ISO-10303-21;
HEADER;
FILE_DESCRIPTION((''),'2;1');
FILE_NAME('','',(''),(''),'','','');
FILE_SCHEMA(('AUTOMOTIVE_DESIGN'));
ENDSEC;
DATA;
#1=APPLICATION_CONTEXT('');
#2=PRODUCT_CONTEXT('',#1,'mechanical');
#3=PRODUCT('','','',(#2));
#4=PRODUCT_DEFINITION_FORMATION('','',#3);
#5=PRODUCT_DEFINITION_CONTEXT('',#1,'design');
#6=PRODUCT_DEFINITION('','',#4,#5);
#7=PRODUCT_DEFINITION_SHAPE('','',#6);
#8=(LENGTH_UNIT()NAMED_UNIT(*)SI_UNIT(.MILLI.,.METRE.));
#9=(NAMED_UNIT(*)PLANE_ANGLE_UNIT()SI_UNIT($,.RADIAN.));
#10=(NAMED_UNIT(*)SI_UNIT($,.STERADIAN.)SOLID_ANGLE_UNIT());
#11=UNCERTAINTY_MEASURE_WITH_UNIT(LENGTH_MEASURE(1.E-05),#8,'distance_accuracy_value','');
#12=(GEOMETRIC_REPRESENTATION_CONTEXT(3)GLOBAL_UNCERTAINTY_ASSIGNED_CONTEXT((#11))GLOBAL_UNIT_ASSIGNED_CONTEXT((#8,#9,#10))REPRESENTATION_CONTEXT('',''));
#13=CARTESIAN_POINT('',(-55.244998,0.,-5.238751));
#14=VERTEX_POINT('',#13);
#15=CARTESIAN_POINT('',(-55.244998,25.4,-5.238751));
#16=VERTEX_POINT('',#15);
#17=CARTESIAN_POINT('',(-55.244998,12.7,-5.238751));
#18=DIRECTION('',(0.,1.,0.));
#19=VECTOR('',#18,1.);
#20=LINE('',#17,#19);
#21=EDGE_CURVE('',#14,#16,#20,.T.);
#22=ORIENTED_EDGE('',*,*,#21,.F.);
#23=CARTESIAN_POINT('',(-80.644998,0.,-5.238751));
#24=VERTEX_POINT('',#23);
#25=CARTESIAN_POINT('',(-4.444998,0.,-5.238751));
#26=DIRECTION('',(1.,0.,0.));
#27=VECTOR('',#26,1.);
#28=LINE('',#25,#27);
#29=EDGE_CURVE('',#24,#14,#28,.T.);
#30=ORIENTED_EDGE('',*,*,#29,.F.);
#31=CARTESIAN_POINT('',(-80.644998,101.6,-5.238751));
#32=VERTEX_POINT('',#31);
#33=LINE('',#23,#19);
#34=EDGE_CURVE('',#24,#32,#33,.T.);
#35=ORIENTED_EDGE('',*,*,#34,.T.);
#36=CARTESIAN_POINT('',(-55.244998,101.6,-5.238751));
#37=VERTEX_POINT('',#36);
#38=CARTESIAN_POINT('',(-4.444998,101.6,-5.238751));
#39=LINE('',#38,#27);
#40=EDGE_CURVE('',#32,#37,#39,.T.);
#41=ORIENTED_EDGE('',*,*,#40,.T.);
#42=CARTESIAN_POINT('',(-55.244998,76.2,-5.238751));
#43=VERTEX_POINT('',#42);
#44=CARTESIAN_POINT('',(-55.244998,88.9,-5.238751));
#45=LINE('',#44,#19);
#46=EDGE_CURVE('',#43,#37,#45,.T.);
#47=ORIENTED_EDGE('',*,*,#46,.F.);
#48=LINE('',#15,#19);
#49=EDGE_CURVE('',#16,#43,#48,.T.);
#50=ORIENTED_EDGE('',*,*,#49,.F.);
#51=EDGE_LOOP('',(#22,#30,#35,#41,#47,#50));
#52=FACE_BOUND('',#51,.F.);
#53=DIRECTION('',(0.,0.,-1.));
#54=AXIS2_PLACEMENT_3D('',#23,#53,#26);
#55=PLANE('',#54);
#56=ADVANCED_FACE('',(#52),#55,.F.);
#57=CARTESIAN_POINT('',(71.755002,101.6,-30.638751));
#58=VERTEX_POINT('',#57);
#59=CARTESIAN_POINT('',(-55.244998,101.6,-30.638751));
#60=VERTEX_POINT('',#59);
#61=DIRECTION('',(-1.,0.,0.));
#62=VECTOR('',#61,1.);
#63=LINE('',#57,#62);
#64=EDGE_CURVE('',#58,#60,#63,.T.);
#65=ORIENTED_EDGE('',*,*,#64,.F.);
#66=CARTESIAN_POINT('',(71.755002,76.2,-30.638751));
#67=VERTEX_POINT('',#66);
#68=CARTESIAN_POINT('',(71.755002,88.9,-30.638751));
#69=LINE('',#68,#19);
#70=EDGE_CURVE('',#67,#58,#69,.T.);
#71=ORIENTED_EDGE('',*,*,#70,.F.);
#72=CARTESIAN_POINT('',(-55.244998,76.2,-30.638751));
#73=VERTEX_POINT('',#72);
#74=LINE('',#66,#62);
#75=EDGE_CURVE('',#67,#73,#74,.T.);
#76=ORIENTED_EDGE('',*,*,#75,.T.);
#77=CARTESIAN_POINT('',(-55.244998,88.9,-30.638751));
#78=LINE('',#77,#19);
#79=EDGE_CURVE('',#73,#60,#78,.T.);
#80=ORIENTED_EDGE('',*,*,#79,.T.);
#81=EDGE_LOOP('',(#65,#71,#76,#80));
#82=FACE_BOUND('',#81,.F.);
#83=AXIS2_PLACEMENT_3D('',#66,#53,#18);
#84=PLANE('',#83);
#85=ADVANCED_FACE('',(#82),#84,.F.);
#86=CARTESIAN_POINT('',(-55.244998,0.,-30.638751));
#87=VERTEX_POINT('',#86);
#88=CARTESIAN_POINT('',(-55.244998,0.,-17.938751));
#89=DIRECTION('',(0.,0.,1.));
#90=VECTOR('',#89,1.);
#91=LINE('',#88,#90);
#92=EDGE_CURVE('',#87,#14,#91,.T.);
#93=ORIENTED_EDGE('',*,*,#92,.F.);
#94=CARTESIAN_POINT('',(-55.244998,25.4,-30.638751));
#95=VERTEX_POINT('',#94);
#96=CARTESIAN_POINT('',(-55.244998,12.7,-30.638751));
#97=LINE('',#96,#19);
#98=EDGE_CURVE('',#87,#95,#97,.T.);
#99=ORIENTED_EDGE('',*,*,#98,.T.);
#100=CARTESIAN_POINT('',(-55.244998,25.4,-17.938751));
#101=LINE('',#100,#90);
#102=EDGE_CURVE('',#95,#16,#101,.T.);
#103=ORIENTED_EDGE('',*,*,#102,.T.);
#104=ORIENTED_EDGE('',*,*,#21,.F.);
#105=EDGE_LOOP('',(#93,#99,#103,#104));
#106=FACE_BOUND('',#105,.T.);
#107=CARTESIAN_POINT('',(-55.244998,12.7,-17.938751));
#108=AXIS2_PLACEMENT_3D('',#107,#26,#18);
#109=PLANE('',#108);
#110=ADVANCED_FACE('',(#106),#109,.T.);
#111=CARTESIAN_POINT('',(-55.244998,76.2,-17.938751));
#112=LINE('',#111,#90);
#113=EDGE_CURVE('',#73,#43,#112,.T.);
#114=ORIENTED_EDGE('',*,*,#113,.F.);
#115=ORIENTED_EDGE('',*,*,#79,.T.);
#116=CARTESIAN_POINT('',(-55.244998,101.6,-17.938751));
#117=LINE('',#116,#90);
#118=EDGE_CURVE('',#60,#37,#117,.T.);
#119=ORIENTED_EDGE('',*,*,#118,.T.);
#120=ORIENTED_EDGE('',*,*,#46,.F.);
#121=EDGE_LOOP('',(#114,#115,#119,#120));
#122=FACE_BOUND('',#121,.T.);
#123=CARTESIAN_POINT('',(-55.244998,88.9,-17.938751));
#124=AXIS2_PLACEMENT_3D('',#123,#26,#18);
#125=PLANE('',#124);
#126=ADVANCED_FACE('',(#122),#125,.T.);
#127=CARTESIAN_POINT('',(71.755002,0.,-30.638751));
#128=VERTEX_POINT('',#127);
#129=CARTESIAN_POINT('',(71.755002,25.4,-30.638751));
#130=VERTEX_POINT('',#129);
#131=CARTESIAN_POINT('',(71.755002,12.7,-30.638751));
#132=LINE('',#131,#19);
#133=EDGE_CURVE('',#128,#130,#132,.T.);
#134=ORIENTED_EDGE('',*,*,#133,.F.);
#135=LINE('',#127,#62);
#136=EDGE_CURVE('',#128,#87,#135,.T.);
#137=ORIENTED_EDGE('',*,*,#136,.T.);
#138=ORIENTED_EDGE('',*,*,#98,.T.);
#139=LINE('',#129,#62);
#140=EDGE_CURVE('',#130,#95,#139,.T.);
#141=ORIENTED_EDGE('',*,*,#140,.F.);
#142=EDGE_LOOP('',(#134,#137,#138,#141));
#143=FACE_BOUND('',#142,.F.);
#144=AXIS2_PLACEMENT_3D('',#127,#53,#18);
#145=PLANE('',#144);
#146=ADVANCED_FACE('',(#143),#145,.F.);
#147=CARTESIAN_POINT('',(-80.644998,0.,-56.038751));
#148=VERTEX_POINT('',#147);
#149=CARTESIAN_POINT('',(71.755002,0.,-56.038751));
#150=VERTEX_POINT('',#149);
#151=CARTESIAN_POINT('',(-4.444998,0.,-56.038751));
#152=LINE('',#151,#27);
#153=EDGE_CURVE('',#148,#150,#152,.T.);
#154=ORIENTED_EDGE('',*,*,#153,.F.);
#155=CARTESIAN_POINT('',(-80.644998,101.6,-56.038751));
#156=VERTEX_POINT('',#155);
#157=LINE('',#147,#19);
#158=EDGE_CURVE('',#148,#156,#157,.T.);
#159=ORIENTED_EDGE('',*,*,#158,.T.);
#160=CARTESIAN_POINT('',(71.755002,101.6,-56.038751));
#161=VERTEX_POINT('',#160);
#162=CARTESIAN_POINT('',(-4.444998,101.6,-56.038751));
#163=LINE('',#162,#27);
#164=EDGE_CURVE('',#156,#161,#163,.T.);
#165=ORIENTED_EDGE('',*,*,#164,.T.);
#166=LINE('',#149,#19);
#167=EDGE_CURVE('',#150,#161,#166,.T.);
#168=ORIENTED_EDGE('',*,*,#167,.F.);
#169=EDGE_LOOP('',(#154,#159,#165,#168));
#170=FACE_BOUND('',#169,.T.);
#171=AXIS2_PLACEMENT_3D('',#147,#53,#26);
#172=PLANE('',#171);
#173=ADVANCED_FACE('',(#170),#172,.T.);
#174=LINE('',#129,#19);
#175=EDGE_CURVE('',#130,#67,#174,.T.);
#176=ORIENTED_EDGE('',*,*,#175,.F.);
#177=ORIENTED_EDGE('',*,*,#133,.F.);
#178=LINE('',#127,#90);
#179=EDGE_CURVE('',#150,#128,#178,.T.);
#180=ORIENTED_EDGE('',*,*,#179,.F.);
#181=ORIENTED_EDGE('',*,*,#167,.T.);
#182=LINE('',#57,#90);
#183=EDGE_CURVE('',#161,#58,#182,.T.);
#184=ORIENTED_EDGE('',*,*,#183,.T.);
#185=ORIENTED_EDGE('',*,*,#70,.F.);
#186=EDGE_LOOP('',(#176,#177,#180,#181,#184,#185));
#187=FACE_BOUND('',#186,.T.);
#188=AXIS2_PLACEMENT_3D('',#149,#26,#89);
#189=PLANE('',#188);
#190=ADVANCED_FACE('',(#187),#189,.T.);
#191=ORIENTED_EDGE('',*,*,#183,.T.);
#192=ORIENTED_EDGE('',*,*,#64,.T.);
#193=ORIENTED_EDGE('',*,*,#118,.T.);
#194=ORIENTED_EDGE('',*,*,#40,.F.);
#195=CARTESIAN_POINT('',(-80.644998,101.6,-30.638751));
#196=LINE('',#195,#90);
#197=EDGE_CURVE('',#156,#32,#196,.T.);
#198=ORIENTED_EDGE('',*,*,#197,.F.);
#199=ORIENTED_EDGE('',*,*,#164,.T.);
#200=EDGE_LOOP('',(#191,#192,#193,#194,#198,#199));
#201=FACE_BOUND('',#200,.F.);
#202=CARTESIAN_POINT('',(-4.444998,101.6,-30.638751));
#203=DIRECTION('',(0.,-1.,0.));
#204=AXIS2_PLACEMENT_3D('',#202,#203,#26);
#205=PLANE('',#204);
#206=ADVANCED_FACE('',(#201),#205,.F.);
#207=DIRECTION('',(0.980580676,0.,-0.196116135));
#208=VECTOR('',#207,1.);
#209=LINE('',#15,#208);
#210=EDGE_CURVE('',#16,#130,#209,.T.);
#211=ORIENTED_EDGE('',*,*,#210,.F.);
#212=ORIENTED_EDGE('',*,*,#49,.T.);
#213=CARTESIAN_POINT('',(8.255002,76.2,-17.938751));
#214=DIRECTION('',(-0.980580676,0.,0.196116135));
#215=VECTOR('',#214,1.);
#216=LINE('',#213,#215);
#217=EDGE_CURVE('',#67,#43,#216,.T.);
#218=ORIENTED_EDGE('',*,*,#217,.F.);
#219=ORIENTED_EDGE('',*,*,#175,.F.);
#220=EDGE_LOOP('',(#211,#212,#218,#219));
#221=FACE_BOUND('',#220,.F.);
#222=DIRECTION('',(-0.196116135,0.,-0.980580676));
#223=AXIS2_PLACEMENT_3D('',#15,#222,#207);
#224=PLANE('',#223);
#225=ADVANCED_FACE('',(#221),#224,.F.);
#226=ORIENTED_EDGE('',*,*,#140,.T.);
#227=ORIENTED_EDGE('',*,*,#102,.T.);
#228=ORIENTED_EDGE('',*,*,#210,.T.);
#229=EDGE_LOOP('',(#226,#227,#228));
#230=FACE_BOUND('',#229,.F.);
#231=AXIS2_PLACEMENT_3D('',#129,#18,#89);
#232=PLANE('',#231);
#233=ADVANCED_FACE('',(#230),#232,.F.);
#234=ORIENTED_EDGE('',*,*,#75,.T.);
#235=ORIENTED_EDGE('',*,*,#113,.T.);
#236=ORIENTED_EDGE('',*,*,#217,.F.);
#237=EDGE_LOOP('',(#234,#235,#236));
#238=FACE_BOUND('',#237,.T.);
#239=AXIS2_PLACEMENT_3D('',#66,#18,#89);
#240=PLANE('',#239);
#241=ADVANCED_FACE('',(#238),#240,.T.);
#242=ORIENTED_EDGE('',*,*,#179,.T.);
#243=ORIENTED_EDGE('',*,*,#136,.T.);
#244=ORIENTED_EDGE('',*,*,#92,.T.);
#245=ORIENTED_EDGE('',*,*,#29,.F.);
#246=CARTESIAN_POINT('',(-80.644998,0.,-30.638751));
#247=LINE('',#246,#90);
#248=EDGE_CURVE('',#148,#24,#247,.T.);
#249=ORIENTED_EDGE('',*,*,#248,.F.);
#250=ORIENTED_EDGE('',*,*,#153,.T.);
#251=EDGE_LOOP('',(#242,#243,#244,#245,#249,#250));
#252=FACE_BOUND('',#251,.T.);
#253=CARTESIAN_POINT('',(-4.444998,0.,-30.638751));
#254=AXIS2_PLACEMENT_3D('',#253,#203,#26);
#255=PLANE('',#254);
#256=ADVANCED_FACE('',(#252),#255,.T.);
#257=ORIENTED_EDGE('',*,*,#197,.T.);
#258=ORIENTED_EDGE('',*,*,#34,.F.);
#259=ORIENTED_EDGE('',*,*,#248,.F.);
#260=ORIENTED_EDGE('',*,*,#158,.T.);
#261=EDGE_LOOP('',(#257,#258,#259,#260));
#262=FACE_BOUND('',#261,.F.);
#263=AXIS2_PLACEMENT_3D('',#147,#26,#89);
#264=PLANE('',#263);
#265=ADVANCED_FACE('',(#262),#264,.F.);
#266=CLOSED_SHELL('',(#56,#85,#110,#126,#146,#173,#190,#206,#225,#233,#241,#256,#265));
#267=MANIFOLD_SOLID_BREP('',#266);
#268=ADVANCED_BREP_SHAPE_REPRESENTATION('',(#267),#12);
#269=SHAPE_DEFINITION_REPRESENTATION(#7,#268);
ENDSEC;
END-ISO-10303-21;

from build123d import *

# Parameters (mm, degrees)
F0_W     = 152.4
F0_H     = 50.8
F1_DEPTH = 101.6
F2_W     = 25.4
F2_H     = 25.4
F3_DEPTH = 127
F4_W     = 25.4
F4_H     = 25.4
F5_DEPTH = 127
F7_DEPTH = 76.2


with BuildPart() as f1:
    # F0 (on Front) → F1 (new body)
    with BuildSketch(Plane.XZ):
        with Locations((-4.444998, -30.638751)):
            Rectangle(F0_W, F0_H)
    extrude(amount=-F1_DEPTH)

    # F2 (on face) → F3 (cut)
    with BuildSketch(Plane.YZ.offset(71.755002)):
        with Locations((12.7, -17.938751)):
            Rectangle(F2_W, F2_H)
    extrude(amount=-F3_DEPTH, mode=Mode.SUBTRACT)

    # F4 (on face) → F5 (cut)
    with BuildSketch(Plane.YZ.offset(71.755002)):
        with Locations((88.9, -17.938751)):
            Rectangle(F4_W, F4_H)
    extrude(amount=-F5_DEPTH, mode=Mode.SUBTRACT)

    # F6 (on face) → F7 (cut)
    with BuildSketch(Plane.XZ.offset(-25.4)):
        Polygon((71.755002, -5.238751), (-55.244998, -5.238751), (71.755002, -30.638751), align=None)
    extrude(amount=-F7_DEPTH, mode=Mode.SUBTRACT)


solid = f1.part
